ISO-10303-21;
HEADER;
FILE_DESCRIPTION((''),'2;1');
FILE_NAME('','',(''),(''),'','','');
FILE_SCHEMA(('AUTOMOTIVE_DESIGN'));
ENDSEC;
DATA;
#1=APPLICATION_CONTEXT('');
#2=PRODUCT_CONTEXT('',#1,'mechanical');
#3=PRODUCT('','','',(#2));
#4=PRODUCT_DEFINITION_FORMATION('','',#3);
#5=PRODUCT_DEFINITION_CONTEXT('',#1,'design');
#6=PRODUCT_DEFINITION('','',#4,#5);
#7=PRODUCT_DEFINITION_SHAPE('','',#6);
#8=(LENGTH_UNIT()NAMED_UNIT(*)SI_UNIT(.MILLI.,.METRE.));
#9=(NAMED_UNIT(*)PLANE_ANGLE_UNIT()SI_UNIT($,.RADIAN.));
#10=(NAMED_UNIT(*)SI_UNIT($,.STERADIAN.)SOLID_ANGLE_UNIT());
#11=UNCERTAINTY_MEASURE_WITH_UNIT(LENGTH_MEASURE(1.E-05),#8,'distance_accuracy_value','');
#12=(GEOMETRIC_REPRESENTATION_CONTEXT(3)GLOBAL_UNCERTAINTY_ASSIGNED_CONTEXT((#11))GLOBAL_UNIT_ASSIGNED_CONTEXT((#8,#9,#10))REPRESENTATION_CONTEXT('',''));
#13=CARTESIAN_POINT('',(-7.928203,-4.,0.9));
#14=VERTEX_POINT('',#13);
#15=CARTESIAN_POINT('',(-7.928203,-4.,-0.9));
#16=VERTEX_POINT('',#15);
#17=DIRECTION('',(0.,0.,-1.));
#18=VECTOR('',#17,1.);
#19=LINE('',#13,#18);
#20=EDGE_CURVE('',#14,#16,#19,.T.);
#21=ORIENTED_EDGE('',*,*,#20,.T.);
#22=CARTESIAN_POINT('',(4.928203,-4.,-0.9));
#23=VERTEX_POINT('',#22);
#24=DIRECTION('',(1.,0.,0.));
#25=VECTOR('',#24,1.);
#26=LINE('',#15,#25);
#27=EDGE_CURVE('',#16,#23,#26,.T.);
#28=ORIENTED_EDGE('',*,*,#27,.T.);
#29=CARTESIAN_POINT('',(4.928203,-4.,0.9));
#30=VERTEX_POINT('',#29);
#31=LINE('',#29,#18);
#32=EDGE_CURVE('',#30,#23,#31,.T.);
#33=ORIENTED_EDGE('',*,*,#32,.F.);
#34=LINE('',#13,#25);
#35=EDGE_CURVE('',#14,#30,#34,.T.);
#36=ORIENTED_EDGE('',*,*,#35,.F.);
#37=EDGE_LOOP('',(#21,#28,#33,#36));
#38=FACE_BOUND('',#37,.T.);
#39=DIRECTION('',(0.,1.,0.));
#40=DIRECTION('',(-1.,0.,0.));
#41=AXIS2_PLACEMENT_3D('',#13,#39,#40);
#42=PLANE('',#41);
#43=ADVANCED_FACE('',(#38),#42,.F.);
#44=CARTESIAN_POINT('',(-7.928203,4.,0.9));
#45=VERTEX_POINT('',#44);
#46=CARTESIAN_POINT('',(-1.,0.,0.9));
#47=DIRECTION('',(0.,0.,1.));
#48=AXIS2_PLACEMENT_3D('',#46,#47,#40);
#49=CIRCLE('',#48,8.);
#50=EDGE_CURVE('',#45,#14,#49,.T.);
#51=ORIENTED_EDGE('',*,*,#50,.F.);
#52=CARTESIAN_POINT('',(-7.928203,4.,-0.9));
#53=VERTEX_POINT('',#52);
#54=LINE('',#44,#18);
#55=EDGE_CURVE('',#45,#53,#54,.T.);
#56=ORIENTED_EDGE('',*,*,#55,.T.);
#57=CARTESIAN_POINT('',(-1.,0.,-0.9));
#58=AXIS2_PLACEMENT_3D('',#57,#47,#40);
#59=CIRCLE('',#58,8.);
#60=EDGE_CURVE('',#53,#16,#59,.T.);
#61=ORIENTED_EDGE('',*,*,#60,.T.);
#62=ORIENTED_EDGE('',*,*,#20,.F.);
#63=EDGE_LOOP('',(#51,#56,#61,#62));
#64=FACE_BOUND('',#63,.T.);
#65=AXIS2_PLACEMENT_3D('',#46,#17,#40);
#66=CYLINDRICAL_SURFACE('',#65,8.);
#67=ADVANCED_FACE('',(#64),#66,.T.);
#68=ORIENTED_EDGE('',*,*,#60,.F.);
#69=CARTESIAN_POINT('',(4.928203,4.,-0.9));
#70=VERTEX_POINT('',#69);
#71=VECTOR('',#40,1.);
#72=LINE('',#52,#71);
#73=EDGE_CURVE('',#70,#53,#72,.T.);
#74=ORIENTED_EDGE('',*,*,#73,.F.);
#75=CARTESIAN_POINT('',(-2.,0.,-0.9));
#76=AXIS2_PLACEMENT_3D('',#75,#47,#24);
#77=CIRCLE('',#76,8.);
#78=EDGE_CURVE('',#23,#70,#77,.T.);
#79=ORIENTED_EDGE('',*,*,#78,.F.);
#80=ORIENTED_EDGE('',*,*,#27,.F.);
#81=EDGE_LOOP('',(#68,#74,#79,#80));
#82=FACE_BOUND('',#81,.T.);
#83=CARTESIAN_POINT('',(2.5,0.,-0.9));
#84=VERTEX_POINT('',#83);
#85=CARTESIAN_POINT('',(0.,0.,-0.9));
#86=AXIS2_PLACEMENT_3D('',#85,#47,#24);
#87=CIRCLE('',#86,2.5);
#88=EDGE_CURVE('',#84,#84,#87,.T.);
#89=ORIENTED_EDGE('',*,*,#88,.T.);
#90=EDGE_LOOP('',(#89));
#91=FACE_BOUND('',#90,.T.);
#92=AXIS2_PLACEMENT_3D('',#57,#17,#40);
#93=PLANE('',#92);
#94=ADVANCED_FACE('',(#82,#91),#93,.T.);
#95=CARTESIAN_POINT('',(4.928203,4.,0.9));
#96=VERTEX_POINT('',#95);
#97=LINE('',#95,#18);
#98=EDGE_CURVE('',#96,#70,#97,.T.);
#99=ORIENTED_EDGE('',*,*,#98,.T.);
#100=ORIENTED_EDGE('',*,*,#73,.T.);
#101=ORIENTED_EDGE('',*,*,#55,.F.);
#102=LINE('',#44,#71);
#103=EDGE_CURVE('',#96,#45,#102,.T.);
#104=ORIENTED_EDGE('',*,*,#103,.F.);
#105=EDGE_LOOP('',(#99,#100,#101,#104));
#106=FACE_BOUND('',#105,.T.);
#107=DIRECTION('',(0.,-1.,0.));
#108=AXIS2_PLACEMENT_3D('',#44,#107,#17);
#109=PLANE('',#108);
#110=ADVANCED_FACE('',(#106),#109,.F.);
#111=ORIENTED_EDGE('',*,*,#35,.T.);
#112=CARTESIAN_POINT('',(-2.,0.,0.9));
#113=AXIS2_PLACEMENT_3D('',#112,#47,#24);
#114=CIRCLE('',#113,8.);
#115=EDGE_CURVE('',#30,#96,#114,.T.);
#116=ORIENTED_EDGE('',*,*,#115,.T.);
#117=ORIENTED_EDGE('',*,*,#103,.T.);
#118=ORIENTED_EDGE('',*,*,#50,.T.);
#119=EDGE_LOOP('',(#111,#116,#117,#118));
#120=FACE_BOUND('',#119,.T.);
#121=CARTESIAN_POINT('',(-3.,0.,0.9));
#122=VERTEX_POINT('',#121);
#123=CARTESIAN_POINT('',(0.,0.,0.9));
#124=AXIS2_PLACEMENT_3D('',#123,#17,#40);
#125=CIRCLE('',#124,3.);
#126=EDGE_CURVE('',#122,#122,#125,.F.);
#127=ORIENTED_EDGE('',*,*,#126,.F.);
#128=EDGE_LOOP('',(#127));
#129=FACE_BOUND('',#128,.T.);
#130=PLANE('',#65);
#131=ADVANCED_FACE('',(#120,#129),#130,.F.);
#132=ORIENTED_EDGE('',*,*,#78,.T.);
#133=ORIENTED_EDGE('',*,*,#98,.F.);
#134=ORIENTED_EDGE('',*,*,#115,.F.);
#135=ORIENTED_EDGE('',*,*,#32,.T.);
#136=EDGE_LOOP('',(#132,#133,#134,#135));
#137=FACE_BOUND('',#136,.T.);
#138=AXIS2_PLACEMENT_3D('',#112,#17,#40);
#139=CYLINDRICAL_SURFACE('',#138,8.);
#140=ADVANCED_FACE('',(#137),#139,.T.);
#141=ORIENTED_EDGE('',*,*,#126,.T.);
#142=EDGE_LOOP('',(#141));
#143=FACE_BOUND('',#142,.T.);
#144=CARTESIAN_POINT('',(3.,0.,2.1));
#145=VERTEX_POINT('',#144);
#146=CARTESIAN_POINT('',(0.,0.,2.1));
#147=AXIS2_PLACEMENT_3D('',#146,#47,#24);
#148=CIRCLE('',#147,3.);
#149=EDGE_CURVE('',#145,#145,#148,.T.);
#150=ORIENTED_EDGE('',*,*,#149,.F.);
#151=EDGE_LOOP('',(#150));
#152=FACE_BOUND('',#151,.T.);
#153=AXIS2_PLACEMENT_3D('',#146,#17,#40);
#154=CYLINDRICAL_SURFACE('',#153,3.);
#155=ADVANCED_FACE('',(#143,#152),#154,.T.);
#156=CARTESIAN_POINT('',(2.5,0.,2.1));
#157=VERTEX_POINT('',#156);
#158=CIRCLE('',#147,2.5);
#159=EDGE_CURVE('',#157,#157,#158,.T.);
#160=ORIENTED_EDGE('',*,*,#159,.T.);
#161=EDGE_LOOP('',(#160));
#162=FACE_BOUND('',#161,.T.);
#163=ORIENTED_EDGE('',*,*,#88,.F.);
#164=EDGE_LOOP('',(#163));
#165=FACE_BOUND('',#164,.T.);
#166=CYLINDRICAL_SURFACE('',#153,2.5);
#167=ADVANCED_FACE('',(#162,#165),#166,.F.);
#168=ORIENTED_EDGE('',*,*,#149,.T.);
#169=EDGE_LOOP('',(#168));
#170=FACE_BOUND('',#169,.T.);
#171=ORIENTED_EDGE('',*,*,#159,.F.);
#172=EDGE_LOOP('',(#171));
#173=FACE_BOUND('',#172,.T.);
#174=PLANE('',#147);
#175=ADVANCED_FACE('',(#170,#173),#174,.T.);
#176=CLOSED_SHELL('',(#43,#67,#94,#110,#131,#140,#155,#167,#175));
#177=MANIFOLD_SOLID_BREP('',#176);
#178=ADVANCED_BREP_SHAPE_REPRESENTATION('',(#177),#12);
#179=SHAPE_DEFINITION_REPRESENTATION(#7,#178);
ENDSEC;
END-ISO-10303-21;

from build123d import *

# Parameters (mm, degrees)
BOSS_EXTRUDE1_DEPTH     = 0.9
SKETCH8_R               = 3
SKETCH8_R_2             = 2.5
BOSS_EXTRUDE2_DEPTH     = 1.2
CUT_EXTRUDE1_DEPTH      = 11.070253224
CUT_EXTRUDE1_DEPTH_BACK = 11.070253224
SKETCH1_R               = 2.5


with BuildPart() as part:
    # Sketch7 → Boss-Extrude1 (new, symmetric)
    with BuildSketch(Plane.XY):
        with BuildLine():
            Line((-7.92820323, 4), (4.92820323, 4))
            ThreePointArc((4.92820323, 4), (6, 0), (4.92820323, -4))
            Line((4.92820323, -4), (-7.92820323, -4))
            ThreePointArc((-7.92820323, -4), (-9, 0), (-7.92820323, 4))
        make_face()
    extrude(amount=BOSS_EXTRUDE1_DEPTH, both=True)

    # Sketch8 → Boss-Extrude2 (add)
    with BuildSketch(Plane.XY.offset(0.9)):
        Circle(SKETCH8_R)
        Circle(SKETCH8_R_2, mode=Mode.SUBTRACT)
    extrude(amount=BOSS_EXTRUDE2_DEPTH)

    # Sketch1 → Cut-Extrude1 (cut, two sides: drawn at the far end of the back side and taken through both)
    with BuildSketch(Plane.XY.offset(-CUT_EXTRUDE1_DEPTH_BACK)):
        Circle(SKETCH1_R)
    extrude(amount=CUT_EXTRUDE1_DEPTH + CUT_EXTRUDE1_DEPTH_BACK, mode=Mode.SUBTRACT)


solid = part.part
